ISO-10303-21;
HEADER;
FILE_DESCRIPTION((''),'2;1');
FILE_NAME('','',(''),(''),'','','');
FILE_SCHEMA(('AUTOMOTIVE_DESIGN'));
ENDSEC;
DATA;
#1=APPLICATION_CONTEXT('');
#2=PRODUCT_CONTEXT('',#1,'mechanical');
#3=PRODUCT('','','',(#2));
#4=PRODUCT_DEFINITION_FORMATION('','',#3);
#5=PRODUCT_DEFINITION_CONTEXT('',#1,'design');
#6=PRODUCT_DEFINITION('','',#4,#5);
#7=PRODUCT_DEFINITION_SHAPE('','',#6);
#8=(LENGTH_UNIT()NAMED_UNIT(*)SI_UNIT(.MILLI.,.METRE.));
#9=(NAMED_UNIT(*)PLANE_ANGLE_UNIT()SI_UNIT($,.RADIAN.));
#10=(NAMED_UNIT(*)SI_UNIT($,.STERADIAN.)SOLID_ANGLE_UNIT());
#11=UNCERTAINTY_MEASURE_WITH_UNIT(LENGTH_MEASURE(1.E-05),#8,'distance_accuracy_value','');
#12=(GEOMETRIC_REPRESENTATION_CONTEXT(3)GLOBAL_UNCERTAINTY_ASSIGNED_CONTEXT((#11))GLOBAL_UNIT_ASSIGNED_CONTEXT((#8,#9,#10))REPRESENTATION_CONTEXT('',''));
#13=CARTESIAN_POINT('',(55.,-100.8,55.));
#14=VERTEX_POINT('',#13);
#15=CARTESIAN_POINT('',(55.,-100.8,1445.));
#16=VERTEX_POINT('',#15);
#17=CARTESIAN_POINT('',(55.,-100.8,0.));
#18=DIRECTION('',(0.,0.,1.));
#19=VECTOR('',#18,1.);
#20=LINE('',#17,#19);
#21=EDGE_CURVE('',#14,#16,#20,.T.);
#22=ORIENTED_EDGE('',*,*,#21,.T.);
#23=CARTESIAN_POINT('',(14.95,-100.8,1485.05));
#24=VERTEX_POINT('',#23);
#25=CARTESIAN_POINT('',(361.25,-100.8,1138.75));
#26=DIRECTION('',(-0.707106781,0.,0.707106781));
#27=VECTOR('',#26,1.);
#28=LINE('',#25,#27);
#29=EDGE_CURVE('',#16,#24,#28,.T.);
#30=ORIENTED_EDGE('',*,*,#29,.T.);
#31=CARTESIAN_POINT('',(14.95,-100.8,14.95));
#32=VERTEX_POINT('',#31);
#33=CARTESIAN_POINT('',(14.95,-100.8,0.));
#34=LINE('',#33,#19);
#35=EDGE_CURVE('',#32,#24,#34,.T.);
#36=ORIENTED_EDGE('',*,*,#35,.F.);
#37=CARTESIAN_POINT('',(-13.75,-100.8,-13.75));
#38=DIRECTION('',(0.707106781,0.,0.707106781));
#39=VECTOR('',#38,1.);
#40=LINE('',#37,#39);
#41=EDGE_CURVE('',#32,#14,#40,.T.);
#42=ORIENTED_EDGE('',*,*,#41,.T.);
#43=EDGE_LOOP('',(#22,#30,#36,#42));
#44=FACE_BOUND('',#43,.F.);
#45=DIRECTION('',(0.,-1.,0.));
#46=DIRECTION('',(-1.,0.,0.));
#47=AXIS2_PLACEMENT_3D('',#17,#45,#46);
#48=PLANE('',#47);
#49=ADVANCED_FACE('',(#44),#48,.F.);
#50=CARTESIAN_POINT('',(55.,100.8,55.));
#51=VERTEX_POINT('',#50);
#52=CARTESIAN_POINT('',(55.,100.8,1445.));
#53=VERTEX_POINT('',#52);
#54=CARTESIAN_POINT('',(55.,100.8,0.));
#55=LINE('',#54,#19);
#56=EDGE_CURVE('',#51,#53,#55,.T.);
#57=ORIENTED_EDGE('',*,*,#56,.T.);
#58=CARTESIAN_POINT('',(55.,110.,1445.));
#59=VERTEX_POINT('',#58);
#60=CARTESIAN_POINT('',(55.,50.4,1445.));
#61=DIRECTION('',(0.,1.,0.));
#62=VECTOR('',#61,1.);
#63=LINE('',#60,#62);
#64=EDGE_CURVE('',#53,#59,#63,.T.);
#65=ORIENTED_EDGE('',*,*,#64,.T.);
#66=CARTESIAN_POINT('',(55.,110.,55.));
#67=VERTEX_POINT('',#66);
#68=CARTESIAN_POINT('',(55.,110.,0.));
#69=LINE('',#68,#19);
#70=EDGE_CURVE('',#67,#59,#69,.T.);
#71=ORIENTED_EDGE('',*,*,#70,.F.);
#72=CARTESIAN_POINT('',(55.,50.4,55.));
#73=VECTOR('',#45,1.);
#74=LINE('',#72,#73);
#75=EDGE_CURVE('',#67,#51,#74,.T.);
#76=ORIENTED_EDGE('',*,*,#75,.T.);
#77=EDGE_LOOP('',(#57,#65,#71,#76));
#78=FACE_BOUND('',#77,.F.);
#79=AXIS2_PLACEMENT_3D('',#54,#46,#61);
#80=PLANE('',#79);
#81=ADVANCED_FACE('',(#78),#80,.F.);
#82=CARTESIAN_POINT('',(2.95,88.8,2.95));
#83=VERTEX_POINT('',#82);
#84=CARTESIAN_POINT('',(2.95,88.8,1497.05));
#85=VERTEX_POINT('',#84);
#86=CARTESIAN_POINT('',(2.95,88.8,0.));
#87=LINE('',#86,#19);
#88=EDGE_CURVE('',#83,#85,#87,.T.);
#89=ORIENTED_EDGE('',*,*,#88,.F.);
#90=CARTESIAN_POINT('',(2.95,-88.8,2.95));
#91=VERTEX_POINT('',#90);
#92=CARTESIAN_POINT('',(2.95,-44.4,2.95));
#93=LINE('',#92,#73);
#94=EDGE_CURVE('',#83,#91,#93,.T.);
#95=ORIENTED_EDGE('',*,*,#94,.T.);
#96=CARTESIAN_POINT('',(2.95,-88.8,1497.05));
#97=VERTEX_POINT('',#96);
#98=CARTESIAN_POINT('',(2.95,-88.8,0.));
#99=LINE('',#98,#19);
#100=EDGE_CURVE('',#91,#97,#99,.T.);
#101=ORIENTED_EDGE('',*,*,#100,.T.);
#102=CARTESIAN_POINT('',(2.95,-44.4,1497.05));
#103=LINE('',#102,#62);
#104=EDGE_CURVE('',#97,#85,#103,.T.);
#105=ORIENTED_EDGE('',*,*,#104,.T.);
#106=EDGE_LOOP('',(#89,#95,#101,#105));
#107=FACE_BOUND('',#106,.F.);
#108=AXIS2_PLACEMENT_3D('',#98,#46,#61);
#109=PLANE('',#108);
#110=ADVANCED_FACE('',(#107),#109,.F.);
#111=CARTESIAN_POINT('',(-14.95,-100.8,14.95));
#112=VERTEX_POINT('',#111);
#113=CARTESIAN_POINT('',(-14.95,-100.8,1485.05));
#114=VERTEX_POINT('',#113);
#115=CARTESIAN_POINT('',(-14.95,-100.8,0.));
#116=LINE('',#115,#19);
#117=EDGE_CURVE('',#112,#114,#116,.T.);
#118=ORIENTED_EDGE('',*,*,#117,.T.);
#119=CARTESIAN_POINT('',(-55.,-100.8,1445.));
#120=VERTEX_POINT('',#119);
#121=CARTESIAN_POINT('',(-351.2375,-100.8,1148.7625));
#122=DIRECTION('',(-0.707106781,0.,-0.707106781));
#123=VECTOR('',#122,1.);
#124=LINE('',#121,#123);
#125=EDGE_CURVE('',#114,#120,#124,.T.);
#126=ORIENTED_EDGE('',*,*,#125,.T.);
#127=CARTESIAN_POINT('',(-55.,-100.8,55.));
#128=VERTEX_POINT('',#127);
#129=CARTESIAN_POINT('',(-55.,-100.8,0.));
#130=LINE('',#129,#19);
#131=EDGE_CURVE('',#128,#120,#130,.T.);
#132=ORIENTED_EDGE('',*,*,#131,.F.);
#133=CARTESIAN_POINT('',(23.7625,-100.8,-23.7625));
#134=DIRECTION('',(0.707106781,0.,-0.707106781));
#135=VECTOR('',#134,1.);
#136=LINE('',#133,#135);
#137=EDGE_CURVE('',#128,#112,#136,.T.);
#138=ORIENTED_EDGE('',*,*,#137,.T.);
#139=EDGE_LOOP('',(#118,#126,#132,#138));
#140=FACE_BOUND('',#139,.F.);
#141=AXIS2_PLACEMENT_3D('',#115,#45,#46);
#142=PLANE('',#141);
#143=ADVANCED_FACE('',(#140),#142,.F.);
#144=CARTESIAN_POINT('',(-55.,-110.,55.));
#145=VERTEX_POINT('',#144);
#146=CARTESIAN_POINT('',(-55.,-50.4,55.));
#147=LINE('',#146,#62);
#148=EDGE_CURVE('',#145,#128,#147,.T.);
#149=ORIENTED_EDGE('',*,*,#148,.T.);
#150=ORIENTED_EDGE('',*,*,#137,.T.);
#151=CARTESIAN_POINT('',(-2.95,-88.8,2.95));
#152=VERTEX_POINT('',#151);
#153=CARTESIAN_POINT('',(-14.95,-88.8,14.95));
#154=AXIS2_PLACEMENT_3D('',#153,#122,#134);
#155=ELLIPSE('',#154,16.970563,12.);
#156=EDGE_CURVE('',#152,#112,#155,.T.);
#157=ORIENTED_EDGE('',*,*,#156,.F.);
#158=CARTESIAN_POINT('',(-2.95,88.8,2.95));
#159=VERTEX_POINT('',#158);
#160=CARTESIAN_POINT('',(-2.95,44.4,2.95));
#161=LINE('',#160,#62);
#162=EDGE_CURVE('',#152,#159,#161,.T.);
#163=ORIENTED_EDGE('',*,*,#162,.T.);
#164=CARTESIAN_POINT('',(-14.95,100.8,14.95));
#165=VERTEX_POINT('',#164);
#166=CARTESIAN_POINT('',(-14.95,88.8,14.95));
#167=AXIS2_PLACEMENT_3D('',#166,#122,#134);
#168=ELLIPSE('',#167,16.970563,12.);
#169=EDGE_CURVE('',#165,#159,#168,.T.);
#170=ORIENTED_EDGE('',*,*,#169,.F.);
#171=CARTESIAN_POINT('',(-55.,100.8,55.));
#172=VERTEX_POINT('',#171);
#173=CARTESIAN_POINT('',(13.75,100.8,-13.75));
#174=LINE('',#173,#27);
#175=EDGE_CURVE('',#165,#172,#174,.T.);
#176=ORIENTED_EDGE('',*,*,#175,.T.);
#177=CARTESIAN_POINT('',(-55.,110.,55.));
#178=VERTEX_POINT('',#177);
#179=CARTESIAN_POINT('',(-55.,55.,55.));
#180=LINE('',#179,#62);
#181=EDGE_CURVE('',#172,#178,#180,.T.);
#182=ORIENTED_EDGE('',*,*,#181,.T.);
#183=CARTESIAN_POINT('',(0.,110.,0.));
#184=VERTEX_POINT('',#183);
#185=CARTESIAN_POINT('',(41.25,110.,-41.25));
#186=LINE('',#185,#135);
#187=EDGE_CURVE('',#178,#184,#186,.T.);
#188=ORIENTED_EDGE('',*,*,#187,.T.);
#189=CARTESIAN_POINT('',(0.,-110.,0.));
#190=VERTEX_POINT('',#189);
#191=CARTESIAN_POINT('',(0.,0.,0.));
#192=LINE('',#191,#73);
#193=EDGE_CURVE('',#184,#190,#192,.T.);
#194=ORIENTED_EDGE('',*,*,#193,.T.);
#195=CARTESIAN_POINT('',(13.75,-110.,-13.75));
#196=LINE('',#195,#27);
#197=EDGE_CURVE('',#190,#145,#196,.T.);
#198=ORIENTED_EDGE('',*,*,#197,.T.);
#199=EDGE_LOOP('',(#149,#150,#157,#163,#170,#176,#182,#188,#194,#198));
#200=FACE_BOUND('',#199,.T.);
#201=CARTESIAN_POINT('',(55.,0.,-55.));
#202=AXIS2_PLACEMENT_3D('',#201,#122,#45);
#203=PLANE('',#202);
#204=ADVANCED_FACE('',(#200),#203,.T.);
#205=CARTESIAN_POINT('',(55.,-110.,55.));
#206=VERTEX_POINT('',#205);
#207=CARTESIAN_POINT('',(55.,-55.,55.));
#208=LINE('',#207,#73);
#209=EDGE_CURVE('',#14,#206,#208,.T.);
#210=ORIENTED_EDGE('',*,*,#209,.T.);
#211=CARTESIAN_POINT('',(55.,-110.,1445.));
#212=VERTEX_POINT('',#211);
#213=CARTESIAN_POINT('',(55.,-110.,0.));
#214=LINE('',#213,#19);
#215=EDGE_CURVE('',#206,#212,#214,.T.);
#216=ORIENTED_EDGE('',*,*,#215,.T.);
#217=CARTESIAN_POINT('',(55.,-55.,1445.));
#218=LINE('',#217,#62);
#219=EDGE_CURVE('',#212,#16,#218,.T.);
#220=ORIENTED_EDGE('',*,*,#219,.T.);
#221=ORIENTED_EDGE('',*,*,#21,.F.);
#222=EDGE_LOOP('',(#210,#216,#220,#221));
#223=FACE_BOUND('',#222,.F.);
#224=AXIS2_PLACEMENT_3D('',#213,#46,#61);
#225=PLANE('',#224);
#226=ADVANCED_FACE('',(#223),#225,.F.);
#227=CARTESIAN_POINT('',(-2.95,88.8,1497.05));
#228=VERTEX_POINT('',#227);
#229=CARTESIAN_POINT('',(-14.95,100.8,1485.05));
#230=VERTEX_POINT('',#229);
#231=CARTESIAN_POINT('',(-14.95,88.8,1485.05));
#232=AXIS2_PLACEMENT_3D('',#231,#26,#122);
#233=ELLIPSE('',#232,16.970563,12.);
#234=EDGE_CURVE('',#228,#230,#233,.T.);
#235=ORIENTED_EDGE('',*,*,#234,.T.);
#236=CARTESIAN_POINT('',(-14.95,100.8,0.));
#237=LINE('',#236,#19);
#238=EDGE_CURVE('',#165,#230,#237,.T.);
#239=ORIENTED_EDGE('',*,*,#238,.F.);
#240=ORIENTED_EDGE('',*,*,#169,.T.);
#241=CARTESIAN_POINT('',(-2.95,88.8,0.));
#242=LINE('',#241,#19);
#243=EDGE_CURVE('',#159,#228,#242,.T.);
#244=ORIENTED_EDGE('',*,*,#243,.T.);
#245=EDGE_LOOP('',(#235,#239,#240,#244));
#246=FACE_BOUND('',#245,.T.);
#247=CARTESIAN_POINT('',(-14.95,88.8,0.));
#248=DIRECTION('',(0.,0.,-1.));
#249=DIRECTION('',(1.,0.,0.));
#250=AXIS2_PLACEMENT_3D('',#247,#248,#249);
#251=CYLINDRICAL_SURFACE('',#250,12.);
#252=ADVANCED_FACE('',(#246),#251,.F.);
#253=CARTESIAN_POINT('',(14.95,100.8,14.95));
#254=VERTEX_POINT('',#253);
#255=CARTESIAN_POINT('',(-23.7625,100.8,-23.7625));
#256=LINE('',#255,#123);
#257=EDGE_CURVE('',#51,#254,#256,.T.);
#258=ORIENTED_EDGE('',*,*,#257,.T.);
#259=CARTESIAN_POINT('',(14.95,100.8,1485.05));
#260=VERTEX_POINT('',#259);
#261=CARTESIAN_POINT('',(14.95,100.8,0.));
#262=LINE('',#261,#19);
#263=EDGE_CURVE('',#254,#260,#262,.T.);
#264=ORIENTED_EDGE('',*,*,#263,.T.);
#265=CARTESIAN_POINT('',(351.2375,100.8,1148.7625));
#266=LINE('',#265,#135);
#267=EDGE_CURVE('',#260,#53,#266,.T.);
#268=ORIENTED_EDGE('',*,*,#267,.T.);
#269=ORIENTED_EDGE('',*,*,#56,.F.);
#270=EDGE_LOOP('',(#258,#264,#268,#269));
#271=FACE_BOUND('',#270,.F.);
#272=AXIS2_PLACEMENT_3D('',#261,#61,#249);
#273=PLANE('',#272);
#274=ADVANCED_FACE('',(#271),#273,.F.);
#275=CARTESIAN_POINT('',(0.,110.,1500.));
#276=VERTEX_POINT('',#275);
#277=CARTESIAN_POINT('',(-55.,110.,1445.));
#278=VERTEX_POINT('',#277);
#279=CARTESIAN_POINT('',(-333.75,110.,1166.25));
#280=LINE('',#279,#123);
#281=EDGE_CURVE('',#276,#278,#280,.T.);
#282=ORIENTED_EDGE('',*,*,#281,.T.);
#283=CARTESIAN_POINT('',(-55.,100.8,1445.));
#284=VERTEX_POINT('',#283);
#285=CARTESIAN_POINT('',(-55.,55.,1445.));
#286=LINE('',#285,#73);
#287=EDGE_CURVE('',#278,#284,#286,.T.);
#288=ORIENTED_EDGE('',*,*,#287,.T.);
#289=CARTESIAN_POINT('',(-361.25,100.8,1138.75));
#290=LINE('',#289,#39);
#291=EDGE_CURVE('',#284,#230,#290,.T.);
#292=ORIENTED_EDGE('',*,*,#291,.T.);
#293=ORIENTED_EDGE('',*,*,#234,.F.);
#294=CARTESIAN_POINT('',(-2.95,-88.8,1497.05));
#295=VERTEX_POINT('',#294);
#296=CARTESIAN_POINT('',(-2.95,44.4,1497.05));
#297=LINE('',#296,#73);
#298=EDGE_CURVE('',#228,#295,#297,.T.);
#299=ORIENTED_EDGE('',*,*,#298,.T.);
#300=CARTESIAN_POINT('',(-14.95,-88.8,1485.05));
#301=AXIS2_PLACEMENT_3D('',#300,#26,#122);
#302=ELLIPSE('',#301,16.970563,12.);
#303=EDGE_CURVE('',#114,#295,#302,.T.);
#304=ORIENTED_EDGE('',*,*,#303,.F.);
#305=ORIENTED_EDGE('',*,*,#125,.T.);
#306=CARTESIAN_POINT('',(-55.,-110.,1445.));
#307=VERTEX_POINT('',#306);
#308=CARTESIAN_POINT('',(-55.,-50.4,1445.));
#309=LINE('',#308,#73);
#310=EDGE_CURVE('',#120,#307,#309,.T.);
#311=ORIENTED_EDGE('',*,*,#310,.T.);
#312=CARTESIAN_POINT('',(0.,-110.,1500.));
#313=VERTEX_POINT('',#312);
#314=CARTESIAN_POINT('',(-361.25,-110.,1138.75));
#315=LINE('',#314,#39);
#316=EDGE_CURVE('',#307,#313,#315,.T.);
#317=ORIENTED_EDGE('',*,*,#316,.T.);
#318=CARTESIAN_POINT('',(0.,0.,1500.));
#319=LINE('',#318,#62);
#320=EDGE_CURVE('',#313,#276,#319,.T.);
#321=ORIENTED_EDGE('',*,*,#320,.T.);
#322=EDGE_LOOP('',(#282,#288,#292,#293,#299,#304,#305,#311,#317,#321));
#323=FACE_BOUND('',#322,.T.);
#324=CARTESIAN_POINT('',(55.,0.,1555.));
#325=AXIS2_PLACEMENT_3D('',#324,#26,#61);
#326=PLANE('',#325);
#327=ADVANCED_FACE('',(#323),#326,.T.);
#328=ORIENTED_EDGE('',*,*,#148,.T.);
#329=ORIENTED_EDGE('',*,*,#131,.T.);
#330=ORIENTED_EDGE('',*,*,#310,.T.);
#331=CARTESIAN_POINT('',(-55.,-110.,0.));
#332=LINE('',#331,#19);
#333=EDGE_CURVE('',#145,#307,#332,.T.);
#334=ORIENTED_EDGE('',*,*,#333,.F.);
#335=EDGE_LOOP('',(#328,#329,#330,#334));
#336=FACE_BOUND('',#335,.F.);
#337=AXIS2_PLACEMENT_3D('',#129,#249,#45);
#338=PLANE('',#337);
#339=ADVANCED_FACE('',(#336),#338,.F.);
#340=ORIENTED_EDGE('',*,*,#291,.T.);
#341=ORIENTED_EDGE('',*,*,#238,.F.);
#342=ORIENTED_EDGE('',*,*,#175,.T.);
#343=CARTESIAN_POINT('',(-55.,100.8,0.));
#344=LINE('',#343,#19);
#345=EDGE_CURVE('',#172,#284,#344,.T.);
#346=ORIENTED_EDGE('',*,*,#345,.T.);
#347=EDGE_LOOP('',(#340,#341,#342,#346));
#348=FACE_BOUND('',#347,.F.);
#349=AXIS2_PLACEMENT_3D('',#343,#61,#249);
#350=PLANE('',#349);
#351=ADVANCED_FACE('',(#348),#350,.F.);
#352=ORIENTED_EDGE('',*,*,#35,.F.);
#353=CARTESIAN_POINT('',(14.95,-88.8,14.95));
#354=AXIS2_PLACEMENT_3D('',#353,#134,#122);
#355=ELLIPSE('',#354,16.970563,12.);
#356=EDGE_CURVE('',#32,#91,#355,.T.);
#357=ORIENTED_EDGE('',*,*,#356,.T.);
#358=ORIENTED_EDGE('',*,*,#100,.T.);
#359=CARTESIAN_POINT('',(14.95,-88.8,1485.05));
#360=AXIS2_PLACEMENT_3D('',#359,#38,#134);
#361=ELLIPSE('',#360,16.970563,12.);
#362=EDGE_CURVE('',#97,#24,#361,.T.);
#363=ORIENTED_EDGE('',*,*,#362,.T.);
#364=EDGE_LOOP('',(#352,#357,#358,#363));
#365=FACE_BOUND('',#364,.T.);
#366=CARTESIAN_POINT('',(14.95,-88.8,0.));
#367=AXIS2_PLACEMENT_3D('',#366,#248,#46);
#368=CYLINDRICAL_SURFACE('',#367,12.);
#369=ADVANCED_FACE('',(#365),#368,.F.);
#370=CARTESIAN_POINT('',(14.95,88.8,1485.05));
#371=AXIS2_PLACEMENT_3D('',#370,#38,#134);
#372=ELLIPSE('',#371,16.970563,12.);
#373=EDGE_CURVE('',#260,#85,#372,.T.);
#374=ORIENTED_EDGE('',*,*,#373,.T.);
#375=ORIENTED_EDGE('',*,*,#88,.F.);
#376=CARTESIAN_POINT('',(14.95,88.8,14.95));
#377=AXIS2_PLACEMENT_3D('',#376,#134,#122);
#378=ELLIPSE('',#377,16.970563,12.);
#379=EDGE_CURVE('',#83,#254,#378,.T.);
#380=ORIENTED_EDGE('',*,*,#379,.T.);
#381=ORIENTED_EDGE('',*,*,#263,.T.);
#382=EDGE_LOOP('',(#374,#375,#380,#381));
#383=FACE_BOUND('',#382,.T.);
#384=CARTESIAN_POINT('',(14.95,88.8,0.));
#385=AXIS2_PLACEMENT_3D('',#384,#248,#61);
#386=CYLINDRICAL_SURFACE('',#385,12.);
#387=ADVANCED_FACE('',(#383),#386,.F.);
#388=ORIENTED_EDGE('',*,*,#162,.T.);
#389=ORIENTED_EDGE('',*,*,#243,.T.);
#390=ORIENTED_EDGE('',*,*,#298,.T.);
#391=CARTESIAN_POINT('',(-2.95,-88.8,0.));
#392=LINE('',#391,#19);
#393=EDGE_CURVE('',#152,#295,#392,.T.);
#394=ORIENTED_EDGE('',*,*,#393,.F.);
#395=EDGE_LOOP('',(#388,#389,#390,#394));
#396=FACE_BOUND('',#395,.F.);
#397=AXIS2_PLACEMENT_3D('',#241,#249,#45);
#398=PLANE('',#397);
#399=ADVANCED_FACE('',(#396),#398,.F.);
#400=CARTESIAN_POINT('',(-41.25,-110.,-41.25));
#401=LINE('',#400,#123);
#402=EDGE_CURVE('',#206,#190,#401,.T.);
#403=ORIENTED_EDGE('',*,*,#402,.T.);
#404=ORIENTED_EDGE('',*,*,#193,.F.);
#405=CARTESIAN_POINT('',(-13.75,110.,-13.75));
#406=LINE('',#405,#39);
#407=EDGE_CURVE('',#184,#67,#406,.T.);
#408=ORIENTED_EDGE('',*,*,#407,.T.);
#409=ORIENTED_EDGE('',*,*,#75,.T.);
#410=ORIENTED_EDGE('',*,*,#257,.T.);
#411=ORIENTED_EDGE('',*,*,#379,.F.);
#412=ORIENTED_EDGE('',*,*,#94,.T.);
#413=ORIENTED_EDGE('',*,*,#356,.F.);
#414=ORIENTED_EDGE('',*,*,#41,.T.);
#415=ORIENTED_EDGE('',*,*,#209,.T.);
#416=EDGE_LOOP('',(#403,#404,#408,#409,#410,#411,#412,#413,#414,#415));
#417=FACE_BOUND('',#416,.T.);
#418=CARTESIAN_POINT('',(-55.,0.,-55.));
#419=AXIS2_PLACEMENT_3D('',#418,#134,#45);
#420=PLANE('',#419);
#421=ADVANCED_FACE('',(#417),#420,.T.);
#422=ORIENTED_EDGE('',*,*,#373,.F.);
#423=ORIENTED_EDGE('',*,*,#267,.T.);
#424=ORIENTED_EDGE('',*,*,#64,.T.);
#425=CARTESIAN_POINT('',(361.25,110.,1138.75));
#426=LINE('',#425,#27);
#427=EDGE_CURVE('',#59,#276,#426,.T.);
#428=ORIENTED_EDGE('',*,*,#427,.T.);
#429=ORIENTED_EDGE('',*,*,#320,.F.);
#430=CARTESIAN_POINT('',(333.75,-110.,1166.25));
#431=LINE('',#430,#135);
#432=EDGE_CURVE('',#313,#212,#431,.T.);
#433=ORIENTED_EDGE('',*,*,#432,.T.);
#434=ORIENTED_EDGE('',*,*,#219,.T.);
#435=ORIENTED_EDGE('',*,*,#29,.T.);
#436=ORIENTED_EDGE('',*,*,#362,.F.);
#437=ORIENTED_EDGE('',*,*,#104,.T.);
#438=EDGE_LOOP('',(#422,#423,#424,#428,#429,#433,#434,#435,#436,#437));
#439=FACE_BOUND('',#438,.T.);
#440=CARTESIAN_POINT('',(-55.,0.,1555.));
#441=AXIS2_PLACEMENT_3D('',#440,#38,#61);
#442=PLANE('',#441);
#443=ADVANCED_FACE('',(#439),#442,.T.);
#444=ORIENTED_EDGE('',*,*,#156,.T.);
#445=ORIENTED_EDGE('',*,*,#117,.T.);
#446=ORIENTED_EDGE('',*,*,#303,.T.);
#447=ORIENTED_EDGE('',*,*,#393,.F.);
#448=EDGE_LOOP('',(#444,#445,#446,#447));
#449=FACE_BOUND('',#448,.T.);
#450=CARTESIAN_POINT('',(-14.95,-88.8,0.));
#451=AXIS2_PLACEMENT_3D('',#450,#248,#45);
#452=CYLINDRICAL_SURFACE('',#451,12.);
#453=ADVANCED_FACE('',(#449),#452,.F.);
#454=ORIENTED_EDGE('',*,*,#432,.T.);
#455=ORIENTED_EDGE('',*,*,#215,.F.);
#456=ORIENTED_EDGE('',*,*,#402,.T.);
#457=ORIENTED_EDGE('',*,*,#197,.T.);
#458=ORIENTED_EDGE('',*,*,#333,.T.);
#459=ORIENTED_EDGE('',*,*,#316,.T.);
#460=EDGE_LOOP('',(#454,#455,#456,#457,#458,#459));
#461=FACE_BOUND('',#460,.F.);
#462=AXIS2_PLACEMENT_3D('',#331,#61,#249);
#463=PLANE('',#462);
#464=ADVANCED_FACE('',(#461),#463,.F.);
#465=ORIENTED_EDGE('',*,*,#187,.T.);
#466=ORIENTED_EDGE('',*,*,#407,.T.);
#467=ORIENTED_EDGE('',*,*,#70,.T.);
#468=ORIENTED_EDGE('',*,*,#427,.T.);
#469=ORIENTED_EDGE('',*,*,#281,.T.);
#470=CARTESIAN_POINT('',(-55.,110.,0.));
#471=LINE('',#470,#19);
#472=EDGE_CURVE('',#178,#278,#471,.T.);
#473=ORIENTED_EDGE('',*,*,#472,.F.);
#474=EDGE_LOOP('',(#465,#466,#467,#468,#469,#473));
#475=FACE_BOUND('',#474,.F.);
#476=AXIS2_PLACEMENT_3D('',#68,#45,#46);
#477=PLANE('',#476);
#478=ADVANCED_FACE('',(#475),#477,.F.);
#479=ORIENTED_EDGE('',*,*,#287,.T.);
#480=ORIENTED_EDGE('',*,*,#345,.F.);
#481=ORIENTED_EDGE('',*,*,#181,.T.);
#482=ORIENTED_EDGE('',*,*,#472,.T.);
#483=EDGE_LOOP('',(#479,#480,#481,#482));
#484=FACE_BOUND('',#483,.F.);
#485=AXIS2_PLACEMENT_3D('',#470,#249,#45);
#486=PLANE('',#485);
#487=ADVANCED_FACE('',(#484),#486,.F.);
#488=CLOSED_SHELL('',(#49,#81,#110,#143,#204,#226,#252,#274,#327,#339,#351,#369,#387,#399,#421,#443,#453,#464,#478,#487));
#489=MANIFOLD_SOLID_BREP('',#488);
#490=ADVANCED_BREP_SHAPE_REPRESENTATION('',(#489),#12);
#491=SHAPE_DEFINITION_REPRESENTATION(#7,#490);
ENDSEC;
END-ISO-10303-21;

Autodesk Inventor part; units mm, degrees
ref_plane "Start plane" through (0, 0, 0) normal (0, 0, 1) x (1, 0, 0)
ref_plane "End plane" through (0, 0, 1500) normal (0, 0, 1) x (1, 0, 0)
sketch "Sketch2" plane through (0, 0, 0) normal (0, 0, 1) x (1, 0, 0)
  line L0 (-55, 100.8) -> (-14.95, 100.8)
  line L1 (-55, 110) -> (-55, 100.8)
  line L2 (55, 110) -> (-55, 110)
  line L3 (55, 100.8) -> (55, 110)
  line L4 (14.95, 100.8) -> (55, 100.8)
  line L5 (2.95, -88.8) -> (2.95, 88.8)
  line L6 (55, -100.8) -> (14.95, -100.8)
  line L7 (55, -110) -> (55, -100.8)
  line L8 (-55, -100.8) -> (-55, -110)
  line L9 (-14.95, -100.8) -> (-55, -100.8)
  line L10 (-2.95, 88.8) -> (-2.95, -88.8)
  line L11 (0, -154) -> (0, 154) construction
  line L12 (-2.95, -100.8) -> (2.95, -100.8) construction
  arc A0 (-14.95, -100.8) -> (-2.95, -88.8) centre (-14.95, -88.8) ccw
  arc A1 (-2.95, 88.8) -> (-14.95, 100.8) centre (-14.95, 88.8) ccw
  arc A2 (14.95, 100.8) -> (2.95, 88.8) centre (14.95, 88.8) ccw
  arc A3 (2.95, -88.8) -> (14.95, -100.8) centre (14.95, -88.8) ccw
  line L13 (-77, 0) -> (77, 0) construction
  line L14 (-55, -110) -> (55, -110)
  point P0 (-2.95, 100.8)
  point P1 (2.95, 100.8)
  point P2 (0, 0)
  point P3 (0, -100.8)
  point P4 (0, 0)
  dimension "d1" = 220
  dimension "d3" = 9.2
  dimension "d5" = 5.9
  dimension "d7" = 110
  dimension "d13" = 12
  dimension "d14" = 110
  dimension "d15" = 55
extrude "Body" add sketch "Sketch2" along normal up to surface (1500 mm away) from surface at 0
sketch "Sketch3" plane through (0, 0, 0) normal (0, 0, 1) x (1, 0, 0)
  line L0 (0, 0) -> (10, 0)
ref_plane "Work Plane3" through (0, 0, 0) normal (0, -1, 0) x (1, 0, 0)
ref_plane "Work Plane4" through (55, 0, -55) normal (-0.7071, 0, -0.7071) x (-0.7071, 0, 0.7071)
split "Split1" plane through (55, 0, -55) removes the side toward (-0.7071, 0, -0.7071)
ref_plane "Work Plane5" through (-55, 0, -55) normal (0.7071, 0, -0.7071) x (-0.7071, 0, -0.7071)
split "Split2" plane through (-55, 0, -55) removes the side toward (0.7071, 0, -0.7071)
ref_plane "Work Plane6" through (-55, 0, 1555) normal (0.7071, 0, 0.7071) x (0.7071, 0, -0.7071)
split "Split3" plane through (-55, 0, 1555) removes the side toward (0.7071, 0, 0.7071)
ref_plane "Work Plane7" through (55, 0, 1555) normal (-0.7071, 0, 0.7071) x (0.7071, 0, 0.7071)
split "Split4" plane through (55, 0, 1555) removes the side toward (-0.7071, 0, 0.7071)
sketch "Sketch4" plane through (0, 0, 0) normal (0, -1, 0) x (1, 0, 0)
  line L0 (-2, 0) -> (12, 0) projected
  line L1 (-2, 1500) -> (12, 1500) projected
  dimension "d19" = 1500
equation "\"d1\" = ParH"
equation "\"d3\" = t2"
equation "\"d5\" = t1"
equation "\"d7\" = b"
equation "\"d13\" = R1"
equation "\"d14\" = 0.5 * d1"
equation "\"d15\" = 0.5 * d7"
equation "\"d8\" = G_L"
equation "\"b\" = 110"
equation "\"ParH\" = 220"
equation "\"R1\" = 12"
equation "\"G_L\" = d19"
equation "\"t1\" = 5.9"
equation "\"t2\" = 9.2"
equation "\"G_OFFSET_START\" = 0"
equation "\"G_OFFSET_END\" = 0"
properties part number "DIN 1025 - IPE 220-1500" material "Steel, Mild"
